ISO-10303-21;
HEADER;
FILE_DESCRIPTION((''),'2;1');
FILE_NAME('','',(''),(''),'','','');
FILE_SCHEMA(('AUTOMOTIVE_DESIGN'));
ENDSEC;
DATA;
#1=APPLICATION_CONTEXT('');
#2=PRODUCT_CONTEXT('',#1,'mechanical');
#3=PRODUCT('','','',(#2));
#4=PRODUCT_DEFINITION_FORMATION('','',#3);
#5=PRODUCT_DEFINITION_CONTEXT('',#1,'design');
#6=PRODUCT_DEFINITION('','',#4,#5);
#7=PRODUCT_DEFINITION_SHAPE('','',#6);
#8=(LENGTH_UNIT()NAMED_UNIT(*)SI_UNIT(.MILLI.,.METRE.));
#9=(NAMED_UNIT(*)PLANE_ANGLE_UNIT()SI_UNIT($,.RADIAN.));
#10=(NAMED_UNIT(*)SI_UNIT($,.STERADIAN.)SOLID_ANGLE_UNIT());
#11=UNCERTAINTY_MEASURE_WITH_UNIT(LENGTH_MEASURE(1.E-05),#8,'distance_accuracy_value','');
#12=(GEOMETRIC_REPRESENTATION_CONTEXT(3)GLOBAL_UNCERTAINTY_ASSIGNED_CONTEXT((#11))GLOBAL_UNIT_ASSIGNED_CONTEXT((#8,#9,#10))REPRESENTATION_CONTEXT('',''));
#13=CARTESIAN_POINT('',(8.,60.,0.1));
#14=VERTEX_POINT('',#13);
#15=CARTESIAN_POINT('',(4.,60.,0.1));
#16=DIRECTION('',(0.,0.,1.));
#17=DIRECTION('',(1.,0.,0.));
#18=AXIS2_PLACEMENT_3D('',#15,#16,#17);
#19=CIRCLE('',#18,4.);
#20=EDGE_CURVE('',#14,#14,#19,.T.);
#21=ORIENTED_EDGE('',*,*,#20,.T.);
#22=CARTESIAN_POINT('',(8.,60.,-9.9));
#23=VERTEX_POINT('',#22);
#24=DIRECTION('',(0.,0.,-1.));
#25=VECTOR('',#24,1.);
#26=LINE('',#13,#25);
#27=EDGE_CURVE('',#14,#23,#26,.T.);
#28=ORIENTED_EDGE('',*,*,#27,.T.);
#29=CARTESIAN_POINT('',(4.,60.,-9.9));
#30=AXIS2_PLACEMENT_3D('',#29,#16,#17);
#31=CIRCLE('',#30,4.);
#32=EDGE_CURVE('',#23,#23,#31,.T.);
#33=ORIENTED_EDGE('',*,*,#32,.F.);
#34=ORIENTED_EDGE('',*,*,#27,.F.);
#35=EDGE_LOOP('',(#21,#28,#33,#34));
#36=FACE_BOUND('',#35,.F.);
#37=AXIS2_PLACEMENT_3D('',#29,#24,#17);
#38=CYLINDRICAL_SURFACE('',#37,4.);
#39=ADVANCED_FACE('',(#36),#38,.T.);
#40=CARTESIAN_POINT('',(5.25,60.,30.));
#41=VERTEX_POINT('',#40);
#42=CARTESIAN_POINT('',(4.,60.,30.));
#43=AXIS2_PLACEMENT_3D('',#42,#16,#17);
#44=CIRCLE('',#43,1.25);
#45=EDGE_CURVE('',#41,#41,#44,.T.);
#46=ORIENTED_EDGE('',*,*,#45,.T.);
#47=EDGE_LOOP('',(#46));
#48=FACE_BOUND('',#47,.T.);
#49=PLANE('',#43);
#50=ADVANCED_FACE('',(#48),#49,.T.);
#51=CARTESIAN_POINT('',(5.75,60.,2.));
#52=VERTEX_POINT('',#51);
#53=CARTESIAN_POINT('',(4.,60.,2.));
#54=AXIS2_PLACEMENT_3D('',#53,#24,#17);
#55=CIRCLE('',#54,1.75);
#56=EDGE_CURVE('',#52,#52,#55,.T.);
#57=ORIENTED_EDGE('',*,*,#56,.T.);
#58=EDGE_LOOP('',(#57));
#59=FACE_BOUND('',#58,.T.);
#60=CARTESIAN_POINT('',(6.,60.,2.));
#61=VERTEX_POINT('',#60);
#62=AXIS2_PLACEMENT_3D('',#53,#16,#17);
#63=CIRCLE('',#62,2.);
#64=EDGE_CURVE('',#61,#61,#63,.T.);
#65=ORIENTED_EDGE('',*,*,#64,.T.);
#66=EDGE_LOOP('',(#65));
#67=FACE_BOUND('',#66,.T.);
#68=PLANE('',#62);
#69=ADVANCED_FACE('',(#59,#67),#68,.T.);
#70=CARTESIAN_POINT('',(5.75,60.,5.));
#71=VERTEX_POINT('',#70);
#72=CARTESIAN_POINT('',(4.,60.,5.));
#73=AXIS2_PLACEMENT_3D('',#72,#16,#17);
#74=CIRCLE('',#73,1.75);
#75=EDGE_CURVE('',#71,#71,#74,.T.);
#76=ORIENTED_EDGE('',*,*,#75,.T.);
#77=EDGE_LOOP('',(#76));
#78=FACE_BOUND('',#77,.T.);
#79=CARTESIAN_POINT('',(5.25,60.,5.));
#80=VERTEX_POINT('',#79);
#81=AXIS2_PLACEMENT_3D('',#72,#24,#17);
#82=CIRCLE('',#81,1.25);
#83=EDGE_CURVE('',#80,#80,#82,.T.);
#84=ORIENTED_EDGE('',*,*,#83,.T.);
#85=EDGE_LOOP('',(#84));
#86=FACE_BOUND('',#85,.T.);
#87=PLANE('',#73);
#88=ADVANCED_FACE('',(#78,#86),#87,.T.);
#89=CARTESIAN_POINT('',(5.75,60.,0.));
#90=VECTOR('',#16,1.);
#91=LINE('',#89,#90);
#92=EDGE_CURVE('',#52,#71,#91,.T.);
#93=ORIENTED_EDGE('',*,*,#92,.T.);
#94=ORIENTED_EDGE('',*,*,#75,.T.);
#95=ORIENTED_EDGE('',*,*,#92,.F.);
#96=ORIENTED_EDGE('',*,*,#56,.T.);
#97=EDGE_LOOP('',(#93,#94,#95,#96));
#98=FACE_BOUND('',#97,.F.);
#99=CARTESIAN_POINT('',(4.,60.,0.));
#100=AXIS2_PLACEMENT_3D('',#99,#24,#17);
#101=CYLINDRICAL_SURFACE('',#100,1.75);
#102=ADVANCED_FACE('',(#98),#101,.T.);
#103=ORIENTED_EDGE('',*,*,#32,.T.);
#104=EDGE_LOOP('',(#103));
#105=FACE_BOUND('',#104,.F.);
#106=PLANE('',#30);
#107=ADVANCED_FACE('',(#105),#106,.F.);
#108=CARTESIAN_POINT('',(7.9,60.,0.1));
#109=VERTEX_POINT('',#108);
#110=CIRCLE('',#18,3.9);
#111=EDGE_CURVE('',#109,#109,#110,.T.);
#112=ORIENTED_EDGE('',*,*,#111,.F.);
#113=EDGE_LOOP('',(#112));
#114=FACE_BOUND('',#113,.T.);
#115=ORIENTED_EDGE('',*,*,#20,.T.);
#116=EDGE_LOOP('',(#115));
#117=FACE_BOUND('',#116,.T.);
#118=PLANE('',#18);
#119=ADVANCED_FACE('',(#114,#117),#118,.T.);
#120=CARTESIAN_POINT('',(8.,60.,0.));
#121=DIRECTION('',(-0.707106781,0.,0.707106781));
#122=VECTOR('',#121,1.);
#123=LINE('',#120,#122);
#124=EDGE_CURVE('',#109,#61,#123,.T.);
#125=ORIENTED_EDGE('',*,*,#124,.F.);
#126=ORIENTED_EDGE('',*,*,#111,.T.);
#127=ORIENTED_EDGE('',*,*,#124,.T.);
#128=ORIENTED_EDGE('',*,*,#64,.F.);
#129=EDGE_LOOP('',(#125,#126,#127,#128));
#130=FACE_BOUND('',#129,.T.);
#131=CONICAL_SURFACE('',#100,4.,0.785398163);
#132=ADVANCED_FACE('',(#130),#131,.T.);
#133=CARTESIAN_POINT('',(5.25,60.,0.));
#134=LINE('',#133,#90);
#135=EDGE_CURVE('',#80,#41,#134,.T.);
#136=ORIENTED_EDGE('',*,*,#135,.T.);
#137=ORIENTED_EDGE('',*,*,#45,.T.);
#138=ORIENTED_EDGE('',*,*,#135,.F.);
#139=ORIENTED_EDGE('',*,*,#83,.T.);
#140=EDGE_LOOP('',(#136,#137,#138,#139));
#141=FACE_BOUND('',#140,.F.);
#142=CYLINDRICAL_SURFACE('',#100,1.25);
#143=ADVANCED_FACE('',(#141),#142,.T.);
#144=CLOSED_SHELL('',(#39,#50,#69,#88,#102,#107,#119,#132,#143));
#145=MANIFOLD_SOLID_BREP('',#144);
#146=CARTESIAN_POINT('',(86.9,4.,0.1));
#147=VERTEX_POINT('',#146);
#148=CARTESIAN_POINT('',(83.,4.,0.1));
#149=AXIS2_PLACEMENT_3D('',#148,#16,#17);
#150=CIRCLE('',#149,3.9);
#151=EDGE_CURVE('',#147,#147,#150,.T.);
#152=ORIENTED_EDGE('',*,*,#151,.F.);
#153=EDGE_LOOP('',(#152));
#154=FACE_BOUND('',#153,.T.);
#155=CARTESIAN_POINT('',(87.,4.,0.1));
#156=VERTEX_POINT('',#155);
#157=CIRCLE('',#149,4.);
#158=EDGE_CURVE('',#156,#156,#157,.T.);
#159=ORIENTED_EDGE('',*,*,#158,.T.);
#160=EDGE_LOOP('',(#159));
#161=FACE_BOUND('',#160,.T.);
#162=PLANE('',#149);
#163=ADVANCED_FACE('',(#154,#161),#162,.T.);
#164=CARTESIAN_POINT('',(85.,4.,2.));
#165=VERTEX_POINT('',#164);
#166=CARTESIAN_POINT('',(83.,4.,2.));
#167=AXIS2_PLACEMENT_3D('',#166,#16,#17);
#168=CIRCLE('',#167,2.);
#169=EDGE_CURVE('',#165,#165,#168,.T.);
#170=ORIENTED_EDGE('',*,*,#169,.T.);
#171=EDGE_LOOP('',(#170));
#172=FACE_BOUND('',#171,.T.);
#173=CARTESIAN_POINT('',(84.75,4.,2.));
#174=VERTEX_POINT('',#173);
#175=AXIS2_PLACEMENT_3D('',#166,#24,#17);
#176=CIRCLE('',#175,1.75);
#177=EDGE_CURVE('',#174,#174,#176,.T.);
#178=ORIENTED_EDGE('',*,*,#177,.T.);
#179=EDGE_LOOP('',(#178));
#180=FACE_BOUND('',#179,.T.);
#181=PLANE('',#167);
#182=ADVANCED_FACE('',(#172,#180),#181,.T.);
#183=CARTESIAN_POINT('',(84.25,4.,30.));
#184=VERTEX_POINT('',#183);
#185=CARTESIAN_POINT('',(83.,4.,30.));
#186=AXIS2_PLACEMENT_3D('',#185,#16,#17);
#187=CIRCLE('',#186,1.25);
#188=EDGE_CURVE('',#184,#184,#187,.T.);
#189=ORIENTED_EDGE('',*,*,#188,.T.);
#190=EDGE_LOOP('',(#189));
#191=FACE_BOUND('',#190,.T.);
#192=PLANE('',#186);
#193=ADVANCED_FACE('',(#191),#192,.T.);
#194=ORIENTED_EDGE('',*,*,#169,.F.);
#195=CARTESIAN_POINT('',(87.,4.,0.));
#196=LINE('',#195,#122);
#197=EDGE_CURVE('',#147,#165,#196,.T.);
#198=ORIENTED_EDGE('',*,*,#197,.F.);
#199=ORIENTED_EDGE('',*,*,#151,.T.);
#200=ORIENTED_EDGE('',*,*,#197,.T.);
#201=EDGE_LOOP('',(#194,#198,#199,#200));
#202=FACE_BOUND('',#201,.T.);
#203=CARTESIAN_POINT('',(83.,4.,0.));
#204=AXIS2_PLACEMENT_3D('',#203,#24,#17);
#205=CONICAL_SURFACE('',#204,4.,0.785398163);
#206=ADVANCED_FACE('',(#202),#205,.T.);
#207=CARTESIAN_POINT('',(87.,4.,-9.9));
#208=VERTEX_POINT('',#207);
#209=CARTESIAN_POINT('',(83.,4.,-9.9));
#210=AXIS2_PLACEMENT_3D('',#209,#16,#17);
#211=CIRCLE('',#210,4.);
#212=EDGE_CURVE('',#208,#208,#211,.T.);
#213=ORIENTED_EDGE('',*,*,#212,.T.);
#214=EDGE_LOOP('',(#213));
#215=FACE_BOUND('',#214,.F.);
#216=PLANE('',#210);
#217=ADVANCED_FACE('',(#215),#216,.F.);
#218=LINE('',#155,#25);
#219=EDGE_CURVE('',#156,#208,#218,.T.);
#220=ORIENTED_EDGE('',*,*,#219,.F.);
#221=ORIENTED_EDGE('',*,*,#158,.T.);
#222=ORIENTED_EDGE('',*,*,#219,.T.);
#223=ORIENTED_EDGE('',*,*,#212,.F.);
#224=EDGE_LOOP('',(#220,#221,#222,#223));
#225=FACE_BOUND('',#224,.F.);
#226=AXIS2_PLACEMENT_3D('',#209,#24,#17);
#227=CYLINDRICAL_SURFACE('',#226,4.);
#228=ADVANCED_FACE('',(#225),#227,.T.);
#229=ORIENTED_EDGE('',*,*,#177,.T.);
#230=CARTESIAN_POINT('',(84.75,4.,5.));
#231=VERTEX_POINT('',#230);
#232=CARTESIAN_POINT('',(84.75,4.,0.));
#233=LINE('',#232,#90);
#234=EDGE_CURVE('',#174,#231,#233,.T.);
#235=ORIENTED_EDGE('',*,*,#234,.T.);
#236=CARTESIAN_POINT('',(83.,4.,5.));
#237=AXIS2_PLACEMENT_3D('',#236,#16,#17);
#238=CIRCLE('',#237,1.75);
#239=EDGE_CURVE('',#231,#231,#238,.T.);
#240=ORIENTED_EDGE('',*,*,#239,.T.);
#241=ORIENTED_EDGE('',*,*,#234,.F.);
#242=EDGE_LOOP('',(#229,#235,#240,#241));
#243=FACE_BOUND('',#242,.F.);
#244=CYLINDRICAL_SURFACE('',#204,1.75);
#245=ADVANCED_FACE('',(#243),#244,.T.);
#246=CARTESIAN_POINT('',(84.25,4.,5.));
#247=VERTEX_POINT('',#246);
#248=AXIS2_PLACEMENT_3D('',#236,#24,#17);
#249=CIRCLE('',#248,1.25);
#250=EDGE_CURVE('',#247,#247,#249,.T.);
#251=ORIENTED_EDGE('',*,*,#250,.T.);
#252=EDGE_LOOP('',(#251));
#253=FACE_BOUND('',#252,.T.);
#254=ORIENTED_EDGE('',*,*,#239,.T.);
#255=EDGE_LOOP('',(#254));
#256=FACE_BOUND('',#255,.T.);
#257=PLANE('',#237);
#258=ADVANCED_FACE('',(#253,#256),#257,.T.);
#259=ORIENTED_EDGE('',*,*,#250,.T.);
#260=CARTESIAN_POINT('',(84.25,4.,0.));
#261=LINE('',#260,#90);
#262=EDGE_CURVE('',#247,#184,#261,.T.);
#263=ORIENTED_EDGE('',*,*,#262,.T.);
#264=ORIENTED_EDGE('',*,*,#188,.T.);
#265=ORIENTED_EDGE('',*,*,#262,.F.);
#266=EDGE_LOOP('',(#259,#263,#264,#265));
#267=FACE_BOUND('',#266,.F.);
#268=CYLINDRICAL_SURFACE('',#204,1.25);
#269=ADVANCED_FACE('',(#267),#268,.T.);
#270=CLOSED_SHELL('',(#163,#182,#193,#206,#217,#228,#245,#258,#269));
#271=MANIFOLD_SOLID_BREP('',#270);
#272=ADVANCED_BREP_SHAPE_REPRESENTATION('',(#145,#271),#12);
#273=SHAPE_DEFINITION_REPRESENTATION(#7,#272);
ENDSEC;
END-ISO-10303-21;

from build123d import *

# Parameters (mm, degrees)
CYLINDER016_R     = 4
CYLINDER016_DEPTH = 10
CYLINDER017_R     = 4
CYLINDER017_DEPTH = 10
CYLINDER014_R     = 1.25
CYLINDER014_DEPTH = 30
CYLINDER015_R     = 1.75
CYLINDER015_DEPTH = 5
CYLINDER013_R     = 1.25
CYLINDER013_DEPTH = 30
CYLINDER012_R     = 1.75
CYLINDER012_DEPTH = 5


with BuildPart() as cylinder016:
    # Cylinder016 → Cylinder016 (new body)
    with BuildSketch(Plane(origin=(4, 60, -9.9), x_dir=(1, 0, 0), z_dir=(0, 0, 1))):
        Circle(CYLINDER016_R)
    extrude(amount=CYLINDER016_DEPTH)


with BuildPart() as cylinder017:
    # Cylinder017 → Cylinder017 (new body)
    with BuildSketch(Plane(origin=(83, 4, -9.9), x_dir=(1, 0, 0), z_dir=(0, 0, 1))):
        Circle(CYLINDER017_R)
    extrude(amount=CYLINDER017_DEPTH)


with BuildPart() as cone001:
    # Cone001 → Cone001 (revolve)
    with BuildSketch(Plane(origin=(83, 4, 0), x_dir=(1, 0, 0), z_dir=(0, -1, 0))):
        Polygon((0, 0), (4, 0), (2, 2), (0, 2), align=None)
    revolve(axis=Axis((83, 4, 0), (0, 0, 1)))


with BuildPart() as cylinder014:
    # Cylinder014 → Cylinder014 (new body)
    with BuildSketch(Plane(origin=(83, 4, 0), x_dir=(1, 0, 0), z_dir=(0, 0, 1))):
        Circle(CYLINDER014_R)
    extrude(amount=CYLINDER014_DEPTH)


with BuildPart() as fusion006:
    # Cylinder015 → Cylinder015 (new body)
    with BuildSketch(Plane(origin=(83, 4, 0), x_dir=(1, 0, 0), z_dir=(0, 0, 1))):
        Circle(CYLINDER015_R)
    extrude(amount=CYLINDER015_DEPTH)

    # Fusion006: union Cone001, Cylinder014
    add(cone001.part)
    add(cylinder014.part)


with BuildPart() as fusion006_1:
    # Fusion006 placement: moved
    add(fusion006.part.moved(Location((-79, 56, 0))))


with BuildPart() as cone:
    # Cone → Cone (revolve)
    with BuildSketch(Plane(origin=(83, 4, 0), x_dir=(1, 0, 0), z_dir=(0, -1, 0))):
        Polygon((0, 0), (4, 0), (2, 2), (0, 2), align=None)
    revolve(axis=Axis((83, 4, 0), (0, 0, 1)))


with BuildPart() as cylinder013:
    # Cylinder013 → Cylinder013 (new body)
    with BuildSketch(Plane(origin=(83, 4, 0), x_dir=(1, 0, 0), z_dir=(0, 0, 1))):
        Circle(CYLINDER013_R)
    extrude(amount=CYLINDER013_DEPTH)


with BuildPart() as fusion008:
    # Cylinder012 → Cylinder012 (new body)
    with BuildSketch(Plane(origin=(83, 4, 0), x_dir=(1, 0, 0), z_dir=(0, 0, 1))):
        Circle(CYLINDER012_R)
    extrude(amount=CYLINDER012_DEPTH)

    # Fusion005: union Cone, Cylinder013
    add(cone.part)
    add(cylinder013.part)

    # Fusion007: union Fusion006
    add(fusion006_1.part)

    # Fusion008: union Cylinder016, Cylinder017
    add(cylinder016.part)
    add(cylinder017.part)


solid = fusion008.part
